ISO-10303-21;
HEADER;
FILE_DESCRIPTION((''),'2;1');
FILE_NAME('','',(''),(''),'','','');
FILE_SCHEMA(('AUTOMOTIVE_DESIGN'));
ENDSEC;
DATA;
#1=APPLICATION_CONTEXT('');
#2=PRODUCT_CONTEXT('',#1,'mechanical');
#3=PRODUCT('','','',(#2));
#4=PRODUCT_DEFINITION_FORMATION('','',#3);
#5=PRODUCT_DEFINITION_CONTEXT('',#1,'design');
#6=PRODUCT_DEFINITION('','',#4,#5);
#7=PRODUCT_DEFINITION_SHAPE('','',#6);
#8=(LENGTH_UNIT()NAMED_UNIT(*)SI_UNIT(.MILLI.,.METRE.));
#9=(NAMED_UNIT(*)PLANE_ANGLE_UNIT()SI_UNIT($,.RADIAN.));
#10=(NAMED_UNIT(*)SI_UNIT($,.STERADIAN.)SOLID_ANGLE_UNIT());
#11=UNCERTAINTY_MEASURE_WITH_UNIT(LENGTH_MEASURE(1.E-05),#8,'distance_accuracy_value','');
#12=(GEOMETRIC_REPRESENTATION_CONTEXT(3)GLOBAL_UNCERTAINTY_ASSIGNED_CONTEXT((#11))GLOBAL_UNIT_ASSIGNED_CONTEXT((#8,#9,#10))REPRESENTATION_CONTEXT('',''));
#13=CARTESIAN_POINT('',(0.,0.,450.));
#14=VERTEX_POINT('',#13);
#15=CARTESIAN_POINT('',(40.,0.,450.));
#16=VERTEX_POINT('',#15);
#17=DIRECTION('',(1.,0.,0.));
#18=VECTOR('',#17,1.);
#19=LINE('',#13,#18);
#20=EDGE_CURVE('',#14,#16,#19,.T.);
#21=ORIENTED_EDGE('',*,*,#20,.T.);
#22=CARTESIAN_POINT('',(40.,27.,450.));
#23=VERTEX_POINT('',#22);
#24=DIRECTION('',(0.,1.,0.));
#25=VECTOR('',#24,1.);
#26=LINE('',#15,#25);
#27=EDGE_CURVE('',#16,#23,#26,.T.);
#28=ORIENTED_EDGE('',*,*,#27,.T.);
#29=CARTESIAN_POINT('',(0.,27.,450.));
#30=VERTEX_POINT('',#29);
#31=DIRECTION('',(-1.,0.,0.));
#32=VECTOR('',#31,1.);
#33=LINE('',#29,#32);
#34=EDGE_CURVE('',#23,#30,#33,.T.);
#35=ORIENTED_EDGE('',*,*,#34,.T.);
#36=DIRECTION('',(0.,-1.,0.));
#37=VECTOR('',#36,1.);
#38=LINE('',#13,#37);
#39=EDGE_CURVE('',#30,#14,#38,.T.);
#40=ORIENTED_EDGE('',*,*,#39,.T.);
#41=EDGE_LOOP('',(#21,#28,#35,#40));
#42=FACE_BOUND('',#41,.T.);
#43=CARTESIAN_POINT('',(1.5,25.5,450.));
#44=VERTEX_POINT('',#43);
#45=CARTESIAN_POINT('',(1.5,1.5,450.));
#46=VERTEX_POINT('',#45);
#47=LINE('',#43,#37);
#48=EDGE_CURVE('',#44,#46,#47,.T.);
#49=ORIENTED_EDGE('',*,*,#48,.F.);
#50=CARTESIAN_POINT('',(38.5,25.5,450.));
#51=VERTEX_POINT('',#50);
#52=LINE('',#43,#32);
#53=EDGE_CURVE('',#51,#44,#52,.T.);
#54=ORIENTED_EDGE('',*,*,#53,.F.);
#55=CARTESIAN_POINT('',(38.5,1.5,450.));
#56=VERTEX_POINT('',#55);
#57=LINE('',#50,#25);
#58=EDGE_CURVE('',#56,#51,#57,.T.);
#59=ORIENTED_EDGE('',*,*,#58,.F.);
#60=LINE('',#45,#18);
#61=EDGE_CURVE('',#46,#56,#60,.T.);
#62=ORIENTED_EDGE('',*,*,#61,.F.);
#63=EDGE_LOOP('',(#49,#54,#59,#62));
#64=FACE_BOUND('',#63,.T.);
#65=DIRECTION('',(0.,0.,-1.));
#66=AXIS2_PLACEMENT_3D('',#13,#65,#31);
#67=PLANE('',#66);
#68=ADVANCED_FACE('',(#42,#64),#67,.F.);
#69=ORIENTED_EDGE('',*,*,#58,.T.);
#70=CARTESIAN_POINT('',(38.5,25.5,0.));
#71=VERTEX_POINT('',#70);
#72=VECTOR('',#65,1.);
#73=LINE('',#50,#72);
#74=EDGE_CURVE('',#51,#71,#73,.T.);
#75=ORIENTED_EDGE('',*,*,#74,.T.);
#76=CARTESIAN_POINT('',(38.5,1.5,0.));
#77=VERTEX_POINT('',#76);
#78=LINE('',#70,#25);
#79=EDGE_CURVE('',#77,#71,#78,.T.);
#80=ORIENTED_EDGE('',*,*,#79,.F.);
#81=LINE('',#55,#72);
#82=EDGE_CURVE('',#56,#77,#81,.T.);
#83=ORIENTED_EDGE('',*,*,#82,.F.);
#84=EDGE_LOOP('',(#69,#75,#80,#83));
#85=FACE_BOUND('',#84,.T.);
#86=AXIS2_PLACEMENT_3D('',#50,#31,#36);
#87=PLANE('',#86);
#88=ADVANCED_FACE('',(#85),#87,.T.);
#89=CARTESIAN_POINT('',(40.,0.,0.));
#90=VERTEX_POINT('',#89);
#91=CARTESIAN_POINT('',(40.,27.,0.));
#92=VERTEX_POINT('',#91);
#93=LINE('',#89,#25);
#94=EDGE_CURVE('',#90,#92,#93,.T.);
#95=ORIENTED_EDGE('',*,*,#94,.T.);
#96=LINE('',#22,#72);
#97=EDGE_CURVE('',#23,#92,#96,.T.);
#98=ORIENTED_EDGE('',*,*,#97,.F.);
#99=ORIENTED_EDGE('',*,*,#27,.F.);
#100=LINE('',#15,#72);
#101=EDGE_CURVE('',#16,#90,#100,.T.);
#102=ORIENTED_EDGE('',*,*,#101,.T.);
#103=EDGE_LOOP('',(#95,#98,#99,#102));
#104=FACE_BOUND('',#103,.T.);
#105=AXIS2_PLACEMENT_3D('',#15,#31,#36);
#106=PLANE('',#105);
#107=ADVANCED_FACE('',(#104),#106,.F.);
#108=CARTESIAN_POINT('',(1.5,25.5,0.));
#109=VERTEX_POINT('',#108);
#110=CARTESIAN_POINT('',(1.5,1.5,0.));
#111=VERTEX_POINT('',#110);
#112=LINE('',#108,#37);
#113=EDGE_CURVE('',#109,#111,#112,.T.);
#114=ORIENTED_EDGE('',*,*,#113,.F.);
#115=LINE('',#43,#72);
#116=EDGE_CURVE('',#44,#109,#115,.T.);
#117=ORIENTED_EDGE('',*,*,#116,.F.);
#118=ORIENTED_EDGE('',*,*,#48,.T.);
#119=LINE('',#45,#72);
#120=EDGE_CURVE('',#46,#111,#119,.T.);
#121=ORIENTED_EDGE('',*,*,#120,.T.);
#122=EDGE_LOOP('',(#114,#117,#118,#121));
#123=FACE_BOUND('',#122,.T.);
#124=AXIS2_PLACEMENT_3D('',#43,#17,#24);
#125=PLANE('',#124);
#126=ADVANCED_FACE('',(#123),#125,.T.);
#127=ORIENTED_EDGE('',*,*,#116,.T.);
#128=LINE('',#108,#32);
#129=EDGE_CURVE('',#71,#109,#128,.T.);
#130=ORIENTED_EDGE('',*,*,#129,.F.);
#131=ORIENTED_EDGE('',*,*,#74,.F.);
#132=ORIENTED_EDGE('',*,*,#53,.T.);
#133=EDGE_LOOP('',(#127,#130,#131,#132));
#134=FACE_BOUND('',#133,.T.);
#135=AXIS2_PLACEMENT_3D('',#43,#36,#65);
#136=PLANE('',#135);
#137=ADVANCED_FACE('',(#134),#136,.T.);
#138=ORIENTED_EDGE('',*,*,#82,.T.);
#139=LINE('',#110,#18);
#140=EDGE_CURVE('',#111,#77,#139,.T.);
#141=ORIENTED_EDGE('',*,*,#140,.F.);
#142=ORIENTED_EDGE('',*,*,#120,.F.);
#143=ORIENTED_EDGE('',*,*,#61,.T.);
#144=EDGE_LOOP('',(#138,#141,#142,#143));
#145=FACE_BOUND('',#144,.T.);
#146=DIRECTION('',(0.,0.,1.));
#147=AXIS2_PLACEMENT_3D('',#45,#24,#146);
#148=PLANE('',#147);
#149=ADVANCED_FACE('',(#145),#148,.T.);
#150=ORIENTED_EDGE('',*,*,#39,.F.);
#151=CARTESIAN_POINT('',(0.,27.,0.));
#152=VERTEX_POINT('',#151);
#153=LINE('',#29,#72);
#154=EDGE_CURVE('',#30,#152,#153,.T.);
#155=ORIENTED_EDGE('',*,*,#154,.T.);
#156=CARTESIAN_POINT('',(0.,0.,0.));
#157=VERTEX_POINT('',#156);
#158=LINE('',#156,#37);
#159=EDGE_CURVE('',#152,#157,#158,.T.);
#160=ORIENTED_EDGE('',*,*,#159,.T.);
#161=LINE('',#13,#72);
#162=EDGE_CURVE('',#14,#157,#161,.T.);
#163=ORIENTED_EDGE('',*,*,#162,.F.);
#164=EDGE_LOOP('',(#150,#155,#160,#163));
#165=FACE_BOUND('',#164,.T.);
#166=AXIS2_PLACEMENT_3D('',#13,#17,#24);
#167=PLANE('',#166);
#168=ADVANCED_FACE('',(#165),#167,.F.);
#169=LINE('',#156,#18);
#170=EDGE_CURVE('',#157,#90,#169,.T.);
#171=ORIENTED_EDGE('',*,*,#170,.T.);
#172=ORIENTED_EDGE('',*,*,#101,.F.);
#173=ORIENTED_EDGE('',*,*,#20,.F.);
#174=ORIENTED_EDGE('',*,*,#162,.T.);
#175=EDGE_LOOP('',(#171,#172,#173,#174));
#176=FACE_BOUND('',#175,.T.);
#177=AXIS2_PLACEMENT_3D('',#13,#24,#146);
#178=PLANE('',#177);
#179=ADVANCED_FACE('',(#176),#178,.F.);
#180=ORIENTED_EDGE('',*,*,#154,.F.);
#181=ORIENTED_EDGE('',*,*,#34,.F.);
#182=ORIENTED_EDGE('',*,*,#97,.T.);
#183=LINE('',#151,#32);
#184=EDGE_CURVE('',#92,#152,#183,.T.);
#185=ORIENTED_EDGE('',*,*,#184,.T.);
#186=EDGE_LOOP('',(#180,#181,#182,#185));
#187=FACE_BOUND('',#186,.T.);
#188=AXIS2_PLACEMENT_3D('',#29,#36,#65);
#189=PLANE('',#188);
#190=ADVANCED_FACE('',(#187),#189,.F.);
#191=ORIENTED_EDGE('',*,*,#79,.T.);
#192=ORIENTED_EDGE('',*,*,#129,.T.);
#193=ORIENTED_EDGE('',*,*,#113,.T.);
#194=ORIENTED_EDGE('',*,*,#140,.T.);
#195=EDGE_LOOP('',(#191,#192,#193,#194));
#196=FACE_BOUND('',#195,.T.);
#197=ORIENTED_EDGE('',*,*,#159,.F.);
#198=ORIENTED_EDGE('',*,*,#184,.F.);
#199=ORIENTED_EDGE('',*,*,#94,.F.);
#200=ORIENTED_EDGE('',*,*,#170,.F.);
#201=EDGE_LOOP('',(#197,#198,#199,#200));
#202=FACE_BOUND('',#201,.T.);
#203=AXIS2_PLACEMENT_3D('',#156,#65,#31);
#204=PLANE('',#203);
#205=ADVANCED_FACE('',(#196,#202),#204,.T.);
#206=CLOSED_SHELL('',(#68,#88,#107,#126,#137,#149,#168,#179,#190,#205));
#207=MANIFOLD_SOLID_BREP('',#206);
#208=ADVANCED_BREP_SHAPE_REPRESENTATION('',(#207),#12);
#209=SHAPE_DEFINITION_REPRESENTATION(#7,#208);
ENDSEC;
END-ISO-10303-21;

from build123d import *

# Parameters (mm, degrees)
ESQUISSE1_W        = 40
ESQUISSE1_H        = 27
ESQUISSE1_W_2      = 37
ESQUISSE1_H_2      = 24
BOSS_EXTRU_1_DEPTH = 450


with BuildPart() as part:
    # Esquisse1 → Boss.-Extru.1 (new body)
    with BuildSketch(Plane.XY):
        with Locations((20, 13.5)):
            Rectangle(ESQUISSE1_W, ESQUISSE1_H)
        with Locations((20, 13.5)):
            Rectangle(ESQUISSE1_W_2, ESQUISSE1_H_2, mode=Mode.SUBTRACT)
    extrude(amount=BOSS_EXTRU_1_DEPTH)


solid = part.part
